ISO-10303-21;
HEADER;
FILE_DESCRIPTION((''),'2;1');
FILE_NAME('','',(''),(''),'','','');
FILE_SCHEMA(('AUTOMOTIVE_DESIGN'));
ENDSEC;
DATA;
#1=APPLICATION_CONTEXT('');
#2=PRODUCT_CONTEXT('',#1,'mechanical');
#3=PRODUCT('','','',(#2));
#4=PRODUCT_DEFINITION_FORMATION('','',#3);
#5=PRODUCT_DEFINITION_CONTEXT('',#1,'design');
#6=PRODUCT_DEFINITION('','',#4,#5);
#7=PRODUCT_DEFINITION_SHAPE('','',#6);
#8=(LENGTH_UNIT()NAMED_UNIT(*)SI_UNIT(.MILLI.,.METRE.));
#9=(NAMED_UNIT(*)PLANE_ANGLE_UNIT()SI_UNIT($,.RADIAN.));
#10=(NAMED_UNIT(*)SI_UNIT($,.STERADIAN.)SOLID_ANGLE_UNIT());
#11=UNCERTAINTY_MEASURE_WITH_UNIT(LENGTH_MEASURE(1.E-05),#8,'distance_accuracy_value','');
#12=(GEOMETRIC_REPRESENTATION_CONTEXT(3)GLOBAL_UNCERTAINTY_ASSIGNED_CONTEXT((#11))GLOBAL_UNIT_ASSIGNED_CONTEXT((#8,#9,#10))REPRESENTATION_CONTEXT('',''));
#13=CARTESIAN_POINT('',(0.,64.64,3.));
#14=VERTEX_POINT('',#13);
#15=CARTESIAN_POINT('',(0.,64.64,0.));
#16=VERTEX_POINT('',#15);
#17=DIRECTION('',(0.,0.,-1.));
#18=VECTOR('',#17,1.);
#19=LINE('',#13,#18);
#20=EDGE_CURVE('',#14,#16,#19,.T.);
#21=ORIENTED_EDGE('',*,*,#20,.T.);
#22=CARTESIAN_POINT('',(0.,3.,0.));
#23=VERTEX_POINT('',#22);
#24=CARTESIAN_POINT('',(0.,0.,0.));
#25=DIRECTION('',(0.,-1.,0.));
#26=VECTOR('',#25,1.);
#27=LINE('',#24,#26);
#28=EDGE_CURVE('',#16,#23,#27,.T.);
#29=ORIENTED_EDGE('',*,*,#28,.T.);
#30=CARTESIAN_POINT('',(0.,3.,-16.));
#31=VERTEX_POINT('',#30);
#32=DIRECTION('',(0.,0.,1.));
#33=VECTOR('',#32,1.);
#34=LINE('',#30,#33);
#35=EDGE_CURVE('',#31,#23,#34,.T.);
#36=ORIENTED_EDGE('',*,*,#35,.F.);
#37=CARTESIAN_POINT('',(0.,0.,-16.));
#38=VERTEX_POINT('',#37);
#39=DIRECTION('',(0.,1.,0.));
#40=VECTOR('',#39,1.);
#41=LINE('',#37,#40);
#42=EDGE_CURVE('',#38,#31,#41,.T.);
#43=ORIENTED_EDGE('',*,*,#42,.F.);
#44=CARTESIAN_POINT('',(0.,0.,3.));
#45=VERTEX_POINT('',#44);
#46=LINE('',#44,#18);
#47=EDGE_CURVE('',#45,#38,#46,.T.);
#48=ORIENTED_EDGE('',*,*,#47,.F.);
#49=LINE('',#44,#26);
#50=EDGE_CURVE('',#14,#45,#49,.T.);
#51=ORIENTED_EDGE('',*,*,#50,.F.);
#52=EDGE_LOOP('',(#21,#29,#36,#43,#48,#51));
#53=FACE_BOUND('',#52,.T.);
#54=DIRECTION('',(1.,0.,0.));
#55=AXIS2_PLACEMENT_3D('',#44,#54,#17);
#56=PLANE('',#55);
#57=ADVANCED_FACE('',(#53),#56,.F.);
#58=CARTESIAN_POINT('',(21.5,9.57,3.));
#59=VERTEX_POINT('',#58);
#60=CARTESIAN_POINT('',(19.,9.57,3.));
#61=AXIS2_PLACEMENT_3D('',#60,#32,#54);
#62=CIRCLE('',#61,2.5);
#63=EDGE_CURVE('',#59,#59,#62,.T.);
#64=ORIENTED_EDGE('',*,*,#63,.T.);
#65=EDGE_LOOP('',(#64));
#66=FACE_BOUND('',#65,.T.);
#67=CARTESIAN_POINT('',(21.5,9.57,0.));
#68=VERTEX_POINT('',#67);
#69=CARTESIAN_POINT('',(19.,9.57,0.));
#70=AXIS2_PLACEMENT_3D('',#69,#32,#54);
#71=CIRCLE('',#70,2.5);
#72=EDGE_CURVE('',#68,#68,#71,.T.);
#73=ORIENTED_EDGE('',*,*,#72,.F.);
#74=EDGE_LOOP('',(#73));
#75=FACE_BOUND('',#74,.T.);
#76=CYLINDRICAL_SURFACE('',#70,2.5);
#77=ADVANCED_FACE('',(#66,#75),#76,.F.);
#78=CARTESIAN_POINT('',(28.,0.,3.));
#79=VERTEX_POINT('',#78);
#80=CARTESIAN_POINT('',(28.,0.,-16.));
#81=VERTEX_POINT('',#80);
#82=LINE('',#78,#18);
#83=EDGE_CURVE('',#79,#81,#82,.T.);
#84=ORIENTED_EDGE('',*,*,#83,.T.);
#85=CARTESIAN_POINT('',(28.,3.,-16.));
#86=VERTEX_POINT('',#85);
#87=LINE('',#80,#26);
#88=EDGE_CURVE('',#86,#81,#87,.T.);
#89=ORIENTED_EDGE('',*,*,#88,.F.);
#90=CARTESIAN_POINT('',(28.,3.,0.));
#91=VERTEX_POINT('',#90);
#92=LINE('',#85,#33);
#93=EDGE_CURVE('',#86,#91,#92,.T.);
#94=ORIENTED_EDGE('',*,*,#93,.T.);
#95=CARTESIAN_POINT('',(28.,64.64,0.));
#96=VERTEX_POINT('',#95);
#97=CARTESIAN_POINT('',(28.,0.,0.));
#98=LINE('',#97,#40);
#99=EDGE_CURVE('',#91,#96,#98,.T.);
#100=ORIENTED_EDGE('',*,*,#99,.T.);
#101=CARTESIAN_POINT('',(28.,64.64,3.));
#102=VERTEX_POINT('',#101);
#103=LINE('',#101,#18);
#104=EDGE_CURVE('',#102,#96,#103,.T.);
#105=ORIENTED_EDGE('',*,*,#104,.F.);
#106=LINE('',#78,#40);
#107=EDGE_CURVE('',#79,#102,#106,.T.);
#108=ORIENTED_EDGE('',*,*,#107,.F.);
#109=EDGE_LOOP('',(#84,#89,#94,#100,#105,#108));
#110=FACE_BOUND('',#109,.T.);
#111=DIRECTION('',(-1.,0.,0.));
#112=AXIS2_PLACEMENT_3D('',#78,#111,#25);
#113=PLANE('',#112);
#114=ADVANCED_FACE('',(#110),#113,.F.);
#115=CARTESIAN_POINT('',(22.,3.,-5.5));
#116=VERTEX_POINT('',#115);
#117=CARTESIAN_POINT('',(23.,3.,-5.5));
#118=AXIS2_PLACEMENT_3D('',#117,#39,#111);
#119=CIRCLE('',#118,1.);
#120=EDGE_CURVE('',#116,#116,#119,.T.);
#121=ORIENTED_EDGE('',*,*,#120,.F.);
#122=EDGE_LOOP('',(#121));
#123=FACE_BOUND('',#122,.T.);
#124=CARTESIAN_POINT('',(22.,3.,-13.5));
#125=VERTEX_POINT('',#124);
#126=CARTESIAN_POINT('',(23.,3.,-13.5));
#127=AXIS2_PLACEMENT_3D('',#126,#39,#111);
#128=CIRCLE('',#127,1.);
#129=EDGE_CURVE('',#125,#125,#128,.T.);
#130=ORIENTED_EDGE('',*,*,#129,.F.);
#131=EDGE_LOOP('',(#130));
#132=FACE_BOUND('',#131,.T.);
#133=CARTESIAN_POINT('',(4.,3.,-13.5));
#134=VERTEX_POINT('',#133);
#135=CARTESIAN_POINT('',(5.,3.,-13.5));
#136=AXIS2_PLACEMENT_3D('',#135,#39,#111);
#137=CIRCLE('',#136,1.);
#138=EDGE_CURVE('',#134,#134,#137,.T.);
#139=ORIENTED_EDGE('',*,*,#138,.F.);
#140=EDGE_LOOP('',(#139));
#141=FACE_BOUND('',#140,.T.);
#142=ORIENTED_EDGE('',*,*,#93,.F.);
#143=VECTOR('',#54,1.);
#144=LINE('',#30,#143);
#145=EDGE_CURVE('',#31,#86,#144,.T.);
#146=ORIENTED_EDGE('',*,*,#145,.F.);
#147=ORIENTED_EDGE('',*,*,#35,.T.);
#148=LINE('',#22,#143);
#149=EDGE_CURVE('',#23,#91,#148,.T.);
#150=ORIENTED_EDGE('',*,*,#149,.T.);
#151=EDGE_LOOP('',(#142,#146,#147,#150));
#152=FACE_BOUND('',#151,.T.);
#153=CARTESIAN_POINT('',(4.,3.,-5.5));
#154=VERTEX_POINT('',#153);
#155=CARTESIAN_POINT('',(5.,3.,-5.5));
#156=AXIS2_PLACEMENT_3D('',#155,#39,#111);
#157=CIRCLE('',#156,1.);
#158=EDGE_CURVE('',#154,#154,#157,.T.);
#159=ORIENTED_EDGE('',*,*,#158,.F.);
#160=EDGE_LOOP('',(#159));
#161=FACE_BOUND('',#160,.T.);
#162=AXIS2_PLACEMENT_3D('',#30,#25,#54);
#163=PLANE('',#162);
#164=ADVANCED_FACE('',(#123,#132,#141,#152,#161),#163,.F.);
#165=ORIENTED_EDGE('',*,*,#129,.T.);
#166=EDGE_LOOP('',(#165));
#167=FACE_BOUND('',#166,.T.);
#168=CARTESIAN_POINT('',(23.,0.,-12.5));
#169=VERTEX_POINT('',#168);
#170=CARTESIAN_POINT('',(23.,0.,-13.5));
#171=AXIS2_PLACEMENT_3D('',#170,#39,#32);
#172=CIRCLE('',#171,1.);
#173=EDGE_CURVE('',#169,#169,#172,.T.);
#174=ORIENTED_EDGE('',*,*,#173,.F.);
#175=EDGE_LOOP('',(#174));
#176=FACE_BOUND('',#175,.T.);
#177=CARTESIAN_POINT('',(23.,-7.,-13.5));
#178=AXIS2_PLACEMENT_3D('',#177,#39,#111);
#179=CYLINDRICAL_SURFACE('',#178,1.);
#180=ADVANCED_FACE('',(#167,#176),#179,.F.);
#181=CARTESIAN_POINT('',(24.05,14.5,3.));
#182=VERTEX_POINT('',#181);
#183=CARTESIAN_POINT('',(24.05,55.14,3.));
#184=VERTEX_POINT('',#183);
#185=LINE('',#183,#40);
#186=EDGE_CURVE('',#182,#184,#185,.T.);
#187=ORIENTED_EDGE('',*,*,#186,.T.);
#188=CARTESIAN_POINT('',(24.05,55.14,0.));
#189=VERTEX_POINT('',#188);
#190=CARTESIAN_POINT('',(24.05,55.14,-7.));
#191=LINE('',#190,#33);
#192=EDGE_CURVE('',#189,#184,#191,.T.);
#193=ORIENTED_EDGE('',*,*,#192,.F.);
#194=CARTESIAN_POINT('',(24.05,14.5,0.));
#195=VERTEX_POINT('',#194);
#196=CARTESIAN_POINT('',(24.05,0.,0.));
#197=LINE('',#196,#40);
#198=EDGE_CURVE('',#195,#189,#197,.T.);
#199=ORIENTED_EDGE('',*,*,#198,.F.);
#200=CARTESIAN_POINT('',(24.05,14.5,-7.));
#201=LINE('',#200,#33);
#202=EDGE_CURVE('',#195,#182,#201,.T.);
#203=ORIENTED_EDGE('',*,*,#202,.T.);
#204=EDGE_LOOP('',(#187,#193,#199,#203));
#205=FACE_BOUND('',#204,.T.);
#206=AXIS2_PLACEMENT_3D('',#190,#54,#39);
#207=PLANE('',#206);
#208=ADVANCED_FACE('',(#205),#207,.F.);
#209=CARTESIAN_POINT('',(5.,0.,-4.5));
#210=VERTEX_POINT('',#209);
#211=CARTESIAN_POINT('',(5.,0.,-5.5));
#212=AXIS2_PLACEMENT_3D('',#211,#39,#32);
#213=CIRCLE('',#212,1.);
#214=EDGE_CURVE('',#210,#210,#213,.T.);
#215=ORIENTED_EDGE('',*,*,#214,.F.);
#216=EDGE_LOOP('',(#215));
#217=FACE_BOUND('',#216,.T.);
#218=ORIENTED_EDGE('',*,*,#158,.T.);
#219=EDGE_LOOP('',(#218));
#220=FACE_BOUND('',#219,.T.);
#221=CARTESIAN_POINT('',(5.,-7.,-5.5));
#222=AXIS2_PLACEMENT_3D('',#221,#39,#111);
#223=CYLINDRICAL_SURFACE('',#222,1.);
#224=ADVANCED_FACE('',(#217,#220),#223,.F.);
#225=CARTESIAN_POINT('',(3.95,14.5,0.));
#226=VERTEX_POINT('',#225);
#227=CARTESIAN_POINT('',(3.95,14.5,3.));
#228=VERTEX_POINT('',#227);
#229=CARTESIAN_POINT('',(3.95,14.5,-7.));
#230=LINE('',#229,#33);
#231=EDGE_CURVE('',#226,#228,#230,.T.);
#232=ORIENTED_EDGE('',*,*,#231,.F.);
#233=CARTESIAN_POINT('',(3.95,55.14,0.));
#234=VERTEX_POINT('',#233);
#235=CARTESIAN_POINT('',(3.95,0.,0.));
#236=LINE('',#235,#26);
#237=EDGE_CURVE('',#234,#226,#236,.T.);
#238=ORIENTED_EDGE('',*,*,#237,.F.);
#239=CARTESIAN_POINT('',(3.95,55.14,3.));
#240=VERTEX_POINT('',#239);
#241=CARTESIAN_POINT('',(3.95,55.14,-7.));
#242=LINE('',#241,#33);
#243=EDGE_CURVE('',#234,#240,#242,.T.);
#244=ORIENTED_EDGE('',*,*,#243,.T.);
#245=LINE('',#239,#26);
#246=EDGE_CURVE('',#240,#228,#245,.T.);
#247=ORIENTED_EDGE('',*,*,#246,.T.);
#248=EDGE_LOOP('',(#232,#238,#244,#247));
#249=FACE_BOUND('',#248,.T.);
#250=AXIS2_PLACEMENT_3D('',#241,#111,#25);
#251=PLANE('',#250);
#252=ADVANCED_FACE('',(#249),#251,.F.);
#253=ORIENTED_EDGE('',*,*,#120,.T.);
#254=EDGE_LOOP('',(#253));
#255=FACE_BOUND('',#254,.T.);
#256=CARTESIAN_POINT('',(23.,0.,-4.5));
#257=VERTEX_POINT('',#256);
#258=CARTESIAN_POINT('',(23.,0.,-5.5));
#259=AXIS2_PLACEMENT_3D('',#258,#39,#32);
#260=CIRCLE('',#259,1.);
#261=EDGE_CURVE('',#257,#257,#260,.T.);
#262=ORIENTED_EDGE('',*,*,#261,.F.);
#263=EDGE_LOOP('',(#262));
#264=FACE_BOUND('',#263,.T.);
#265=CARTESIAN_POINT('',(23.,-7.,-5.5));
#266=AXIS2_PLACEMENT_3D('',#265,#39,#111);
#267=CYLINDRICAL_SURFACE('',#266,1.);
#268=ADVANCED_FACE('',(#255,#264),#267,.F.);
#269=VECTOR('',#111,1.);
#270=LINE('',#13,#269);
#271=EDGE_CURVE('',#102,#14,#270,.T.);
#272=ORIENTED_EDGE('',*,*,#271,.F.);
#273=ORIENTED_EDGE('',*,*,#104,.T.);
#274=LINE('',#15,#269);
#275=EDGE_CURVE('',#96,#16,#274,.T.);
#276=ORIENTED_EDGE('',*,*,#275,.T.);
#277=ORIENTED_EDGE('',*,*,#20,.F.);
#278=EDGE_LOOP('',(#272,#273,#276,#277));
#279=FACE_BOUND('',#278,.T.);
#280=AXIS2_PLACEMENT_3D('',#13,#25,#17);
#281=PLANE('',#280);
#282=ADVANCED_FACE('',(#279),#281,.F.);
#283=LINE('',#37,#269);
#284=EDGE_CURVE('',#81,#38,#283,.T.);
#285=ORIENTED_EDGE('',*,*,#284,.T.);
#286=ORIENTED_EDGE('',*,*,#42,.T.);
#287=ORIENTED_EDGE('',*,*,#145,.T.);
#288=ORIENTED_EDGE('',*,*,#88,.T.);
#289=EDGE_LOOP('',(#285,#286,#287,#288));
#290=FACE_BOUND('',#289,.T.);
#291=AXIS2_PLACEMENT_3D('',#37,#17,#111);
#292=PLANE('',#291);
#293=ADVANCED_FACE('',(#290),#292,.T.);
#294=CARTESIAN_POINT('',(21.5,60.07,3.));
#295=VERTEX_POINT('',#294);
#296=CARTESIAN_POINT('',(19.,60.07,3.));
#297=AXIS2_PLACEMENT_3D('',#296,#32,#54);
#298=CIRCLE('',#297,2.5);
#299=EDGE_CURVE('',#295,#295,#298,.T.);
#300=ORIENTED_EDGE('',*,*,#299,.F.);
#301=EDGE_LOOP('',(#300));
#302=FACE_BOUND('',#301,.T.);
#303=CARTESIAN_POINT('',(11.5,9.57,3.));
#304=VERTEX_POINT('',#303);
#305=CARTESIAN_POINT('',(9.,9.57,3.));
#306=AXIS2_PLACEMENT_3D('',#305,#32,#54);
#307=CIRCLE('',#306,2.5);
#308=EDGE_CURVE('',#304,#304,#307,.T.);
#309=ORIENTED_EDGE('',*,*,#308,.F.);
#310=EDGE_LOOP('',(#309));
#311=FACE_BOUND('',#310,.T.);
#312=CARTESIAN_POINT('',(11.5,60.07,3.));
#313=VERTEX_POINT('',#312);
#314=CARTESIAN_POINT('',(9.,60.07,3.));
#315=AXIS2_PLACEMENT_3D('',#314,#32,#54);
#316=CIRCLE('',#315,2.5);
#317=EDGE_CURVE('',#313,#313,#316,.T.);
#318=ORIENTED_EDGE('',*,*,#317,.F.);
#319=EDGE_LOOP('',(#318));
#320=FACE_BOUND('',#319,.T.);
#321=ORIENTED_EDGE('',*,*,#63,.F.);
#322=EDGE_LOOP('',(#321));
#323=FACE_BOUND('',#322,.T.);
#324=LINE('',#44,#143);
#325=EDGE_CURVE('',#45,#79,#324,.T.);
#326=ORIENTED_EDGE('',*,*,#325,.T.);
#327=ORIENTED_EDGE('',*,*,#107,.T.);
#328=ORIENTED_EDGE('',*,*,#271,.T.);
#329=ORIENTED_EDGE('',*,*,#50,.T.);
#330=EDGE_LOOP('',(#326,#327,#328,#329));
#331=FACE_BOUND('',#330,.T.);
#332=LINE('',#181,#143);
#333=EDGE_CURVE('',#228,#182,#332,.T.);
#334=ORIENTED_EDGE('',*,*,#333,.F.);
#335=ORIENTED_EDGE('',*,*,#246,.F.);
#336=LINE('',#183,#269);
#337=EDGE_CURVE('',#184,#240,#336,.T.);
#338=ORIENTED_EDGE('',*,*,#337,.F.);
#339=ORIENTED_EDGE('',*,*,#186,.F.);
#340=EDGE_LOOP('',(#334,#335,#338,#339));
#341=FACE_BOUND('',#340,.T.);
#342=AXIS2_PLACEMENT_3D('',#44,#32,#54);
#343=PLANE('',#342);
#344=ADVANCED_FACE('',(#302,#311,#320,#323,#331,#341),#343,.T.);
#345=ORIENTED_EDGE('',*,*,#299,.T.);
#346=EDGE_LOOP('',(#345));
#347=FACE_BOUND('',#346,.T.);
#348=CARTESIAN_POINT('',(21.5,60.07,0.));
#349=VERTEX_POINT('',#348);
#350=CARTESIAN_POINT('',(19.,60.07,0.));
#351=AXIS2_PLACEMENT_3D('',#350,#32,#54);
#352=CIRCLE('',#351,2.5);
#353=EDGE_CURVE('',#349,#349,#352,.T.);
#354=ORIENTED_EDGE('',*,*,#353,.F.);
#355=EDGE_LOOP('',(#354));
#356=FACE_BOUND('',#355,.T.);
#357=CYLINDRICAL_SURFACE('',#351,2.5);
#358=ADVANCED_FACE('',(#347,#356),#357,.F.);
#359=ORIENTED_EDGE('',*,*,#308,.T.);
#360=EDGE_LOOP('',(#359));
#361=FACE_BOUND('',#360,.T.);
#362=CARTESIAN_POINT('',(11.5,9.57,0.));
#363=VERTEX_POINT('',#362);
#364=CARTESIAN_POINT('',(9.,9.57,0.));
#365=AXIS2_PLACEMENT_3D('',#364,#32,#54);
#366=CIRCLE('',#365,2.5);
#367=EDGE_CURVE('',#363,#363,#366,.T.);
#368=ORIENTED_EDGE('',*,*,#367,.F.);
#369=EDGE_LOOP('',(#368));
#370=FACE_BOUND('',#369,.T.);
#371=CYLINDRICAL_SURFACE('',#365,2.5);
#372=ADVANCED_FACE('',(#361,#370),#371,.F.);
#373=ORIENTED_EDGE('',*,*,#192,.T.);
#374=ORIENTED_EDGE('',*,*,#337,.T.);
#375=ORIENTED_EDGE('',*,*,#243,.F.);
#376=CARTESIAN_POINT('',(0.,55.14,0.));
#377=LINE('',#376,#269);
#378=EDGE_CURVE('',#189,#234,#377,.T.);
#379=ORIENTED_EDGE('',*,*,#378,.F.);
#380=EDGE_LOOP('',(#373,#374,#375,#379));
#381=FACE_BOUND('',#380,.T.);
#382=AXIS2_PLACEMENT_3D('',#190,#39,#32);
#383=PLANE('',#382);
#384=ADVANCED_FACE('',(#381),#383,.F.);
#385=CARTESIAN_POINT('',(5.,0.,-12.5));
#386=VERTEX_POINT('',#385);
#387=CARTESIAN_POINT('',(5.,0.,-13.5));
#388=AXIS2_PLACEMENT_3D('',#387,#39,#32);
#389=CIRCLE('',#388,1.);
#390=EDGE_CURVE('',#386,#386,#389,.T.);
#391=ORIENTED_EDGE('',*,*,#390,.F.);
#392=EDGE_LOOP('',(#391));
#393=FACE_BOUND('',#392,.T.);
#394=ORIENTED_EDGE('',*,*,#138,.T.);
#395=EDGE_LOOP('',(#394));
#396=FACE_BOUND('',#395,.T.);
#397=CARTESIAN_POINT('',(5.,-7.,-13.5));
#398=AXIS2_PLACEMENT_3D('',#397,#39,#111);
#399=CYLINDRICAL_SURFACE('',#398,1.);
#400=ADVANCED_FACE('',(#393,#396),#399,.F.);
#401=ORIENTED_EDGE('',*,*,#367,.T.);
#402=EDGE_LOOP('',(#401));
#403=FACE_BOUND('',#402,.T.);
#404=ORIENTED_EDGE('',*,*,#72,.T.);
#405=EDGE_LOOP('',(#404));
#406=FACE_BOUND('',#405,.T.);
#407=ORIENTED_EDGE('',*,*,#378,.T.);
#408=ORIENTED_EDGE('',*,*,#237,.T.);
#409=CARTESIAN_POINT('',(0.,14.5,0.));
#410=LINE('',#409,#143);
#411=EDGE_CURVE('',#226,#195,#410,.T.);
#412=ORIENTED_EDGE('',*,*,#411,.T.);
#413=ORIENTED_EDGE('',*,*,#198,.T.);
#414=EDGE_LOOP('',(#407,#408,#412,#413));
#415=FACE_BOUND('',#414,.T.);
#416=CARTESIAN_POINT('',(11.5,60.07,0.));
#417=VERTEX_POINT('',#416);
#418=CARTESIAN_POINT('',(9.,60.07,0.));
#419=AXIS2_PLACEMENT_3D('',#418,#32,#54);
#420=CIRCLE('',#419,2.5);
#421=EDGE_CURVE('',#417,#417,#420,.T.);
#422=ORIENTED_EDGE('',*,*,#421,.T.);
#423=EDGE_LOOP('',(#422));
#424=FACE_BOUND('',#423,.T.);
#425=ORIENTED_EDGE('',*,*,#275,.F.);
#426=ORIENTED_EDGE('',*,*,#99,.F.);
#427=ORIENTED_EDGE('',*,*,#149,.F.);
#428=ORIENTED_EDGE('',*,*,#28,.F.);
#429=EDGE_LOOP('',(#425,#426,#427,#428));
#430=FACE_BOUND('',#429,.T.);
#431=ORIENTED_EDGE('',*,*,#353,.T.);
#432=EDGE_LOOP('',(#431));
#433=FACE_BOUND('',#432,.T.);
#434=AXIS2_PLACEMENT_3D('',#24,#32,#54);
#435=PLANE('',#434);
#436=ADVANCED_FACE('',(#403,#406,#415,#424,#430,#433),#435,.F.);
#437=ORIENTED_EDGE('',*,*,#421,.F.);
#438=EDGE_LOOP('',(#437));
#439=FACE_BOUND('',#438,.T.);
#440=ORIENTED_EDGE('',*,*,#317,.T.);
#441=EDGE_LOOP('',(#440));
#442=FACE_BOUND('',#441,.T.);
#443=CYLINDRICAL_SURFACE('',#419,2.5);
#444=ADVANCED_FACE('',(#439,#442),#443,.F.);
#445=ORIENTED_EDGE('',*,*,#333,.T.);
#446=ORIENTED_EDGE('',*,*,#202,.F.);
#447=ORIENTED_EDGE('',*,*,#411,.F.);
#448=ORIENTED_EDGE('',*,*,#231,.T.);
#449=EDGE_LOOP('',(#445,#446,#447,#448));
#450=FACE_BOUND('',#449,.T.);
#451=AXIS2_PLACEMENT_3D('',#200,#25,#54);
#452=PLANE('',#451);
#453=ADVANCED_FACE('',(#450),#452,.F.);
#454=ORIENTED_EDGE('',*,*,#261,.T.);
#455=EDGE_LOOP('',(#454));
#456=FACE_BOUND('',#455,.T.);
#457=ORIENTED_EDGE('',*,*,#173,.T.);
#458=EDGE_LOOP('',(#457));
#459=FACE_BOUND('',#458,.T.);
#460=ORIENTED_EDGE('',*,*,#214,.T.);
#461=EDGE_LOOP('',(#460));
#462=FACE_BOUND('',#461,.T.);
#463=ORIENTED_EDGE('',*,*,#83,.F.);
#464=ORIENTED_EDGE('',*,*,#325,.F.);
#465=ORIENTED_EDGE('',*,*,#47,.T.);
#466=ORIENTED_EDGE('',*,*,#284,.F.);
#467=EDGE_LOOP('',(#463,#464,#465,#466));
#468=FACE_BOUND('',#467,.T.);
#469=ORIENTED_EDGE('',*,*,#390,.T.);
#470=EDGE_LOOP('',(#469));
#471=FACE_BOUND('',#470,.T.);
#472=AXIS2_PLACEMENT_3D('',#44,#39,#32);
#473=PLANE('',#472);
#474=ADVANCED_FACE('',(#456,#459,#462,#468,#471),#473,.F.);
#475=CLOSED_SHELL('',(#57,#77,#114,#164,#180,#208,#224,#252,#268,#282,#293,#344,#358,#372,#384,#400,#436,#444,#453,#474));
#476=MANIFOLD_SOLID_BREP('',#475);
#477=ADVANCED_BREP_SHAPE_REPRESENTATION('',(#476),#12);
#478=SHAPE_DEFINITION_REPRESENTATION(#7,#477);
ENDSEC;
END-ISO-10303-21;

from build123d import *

# Parameters (mm, degrees)
SKETCH1_W           = 28
SKETCH1_H           = 64.64
BOSS_EXTRUDE1_DEPTH = 3
SKETCH2_R           = 2.5
CUT_EXTRUDE1_DEPTH  = 71.507656322
SKETCH4_W           = 20.1
SKETCH4_H           = 40.64
CUT_EXTRUDE6_DEPTH  = 10
SKETCH5_W           = 28
SKETCH5_H           = 3
BOSS_EXTRUDE2_DEPTH = 16
SKETCH6_R           = 1
CUT_EXTRUDE7_DEPTH  = 10


with BuildPart() as part:
    # Sketch1 → Boss-Extrude1 (new body)
    with BuildSketch(Plane.XY):
        with Locations((14, 32.32)):
            Rectangle(SKETCH1_W, SKETCH1_H)
    extrude(amount=BOSS_EXTRUDE1_DEPTH)

    # Sketch2 → Cut-Extrude1 (cut, through all)
    with BuildSketch(Plane.XY.offset(3)):
        with Locations((9, 9.57)):
            Circle(SKETCH2_R)
        with Locations((19, 9.57)):
            Circle(SKETCH2_R)
        with Locations((9, 60.07)):
            Circle(SKETCH2_R)
        with Locations((19, 60.07)):
            Circle(SKETCH2_R)
    extrude(amount=-CUT_EXTRUDE1_DEPTH, mode=Mode.SUBTRACT)

    # Sketch4 → Cut-Extrude6 (cut)
    with BuildSketch(Plane.XY.offset(3)):
        with Locations((14, 34.82)):
            Rectangle(SKETCH4_W, SKETCH4_H)
    extrude(amount=-CUT_EXTRUDE6_DEPTH, mode=Mode.SUBTRACT)

    # Sketch5 → Boss-Extrude2 (add)
    with BuildSketch(Plane(origin=(0, 0, 0), x_dir=(-1, 0, 0), z_dir=(0, 0, -1))):
        with Locations((-14, 1.5)):
            Rectangle(SKETCH5_W, SKETCH5_H)
    extrude(amount=BOSS_EXTRUDE2_DEPTH)

    # Sketch6 → Cut-Extrude7 (cut)
    with BuildSketch(Plane(origin=(0, 3, 0), x_dir=(1, 0, 0), z_dir=(0, 1, 0))):
        with Locations(Location((5, 5.5, 0), (0, 0, 180))):
            Circle(SKETCH6_R)
        with Locations(Location((5, 13.5, 0), (0, 0, 180))):
            Circle(SKETCH6_R)
        with Locations(Location((23, 13.5, 0), (0, 0, 180))):
            Circle(SKETCH6_R)
        with Locations(Location((23, 5.5, 0), (0, 0, 180))):
            Circle(SKETCH6_R)
    extrude(amount=-CUT_EXTRUDE7_DEPTH, mode=Mode.SUBTRACT)


solid = part.part
